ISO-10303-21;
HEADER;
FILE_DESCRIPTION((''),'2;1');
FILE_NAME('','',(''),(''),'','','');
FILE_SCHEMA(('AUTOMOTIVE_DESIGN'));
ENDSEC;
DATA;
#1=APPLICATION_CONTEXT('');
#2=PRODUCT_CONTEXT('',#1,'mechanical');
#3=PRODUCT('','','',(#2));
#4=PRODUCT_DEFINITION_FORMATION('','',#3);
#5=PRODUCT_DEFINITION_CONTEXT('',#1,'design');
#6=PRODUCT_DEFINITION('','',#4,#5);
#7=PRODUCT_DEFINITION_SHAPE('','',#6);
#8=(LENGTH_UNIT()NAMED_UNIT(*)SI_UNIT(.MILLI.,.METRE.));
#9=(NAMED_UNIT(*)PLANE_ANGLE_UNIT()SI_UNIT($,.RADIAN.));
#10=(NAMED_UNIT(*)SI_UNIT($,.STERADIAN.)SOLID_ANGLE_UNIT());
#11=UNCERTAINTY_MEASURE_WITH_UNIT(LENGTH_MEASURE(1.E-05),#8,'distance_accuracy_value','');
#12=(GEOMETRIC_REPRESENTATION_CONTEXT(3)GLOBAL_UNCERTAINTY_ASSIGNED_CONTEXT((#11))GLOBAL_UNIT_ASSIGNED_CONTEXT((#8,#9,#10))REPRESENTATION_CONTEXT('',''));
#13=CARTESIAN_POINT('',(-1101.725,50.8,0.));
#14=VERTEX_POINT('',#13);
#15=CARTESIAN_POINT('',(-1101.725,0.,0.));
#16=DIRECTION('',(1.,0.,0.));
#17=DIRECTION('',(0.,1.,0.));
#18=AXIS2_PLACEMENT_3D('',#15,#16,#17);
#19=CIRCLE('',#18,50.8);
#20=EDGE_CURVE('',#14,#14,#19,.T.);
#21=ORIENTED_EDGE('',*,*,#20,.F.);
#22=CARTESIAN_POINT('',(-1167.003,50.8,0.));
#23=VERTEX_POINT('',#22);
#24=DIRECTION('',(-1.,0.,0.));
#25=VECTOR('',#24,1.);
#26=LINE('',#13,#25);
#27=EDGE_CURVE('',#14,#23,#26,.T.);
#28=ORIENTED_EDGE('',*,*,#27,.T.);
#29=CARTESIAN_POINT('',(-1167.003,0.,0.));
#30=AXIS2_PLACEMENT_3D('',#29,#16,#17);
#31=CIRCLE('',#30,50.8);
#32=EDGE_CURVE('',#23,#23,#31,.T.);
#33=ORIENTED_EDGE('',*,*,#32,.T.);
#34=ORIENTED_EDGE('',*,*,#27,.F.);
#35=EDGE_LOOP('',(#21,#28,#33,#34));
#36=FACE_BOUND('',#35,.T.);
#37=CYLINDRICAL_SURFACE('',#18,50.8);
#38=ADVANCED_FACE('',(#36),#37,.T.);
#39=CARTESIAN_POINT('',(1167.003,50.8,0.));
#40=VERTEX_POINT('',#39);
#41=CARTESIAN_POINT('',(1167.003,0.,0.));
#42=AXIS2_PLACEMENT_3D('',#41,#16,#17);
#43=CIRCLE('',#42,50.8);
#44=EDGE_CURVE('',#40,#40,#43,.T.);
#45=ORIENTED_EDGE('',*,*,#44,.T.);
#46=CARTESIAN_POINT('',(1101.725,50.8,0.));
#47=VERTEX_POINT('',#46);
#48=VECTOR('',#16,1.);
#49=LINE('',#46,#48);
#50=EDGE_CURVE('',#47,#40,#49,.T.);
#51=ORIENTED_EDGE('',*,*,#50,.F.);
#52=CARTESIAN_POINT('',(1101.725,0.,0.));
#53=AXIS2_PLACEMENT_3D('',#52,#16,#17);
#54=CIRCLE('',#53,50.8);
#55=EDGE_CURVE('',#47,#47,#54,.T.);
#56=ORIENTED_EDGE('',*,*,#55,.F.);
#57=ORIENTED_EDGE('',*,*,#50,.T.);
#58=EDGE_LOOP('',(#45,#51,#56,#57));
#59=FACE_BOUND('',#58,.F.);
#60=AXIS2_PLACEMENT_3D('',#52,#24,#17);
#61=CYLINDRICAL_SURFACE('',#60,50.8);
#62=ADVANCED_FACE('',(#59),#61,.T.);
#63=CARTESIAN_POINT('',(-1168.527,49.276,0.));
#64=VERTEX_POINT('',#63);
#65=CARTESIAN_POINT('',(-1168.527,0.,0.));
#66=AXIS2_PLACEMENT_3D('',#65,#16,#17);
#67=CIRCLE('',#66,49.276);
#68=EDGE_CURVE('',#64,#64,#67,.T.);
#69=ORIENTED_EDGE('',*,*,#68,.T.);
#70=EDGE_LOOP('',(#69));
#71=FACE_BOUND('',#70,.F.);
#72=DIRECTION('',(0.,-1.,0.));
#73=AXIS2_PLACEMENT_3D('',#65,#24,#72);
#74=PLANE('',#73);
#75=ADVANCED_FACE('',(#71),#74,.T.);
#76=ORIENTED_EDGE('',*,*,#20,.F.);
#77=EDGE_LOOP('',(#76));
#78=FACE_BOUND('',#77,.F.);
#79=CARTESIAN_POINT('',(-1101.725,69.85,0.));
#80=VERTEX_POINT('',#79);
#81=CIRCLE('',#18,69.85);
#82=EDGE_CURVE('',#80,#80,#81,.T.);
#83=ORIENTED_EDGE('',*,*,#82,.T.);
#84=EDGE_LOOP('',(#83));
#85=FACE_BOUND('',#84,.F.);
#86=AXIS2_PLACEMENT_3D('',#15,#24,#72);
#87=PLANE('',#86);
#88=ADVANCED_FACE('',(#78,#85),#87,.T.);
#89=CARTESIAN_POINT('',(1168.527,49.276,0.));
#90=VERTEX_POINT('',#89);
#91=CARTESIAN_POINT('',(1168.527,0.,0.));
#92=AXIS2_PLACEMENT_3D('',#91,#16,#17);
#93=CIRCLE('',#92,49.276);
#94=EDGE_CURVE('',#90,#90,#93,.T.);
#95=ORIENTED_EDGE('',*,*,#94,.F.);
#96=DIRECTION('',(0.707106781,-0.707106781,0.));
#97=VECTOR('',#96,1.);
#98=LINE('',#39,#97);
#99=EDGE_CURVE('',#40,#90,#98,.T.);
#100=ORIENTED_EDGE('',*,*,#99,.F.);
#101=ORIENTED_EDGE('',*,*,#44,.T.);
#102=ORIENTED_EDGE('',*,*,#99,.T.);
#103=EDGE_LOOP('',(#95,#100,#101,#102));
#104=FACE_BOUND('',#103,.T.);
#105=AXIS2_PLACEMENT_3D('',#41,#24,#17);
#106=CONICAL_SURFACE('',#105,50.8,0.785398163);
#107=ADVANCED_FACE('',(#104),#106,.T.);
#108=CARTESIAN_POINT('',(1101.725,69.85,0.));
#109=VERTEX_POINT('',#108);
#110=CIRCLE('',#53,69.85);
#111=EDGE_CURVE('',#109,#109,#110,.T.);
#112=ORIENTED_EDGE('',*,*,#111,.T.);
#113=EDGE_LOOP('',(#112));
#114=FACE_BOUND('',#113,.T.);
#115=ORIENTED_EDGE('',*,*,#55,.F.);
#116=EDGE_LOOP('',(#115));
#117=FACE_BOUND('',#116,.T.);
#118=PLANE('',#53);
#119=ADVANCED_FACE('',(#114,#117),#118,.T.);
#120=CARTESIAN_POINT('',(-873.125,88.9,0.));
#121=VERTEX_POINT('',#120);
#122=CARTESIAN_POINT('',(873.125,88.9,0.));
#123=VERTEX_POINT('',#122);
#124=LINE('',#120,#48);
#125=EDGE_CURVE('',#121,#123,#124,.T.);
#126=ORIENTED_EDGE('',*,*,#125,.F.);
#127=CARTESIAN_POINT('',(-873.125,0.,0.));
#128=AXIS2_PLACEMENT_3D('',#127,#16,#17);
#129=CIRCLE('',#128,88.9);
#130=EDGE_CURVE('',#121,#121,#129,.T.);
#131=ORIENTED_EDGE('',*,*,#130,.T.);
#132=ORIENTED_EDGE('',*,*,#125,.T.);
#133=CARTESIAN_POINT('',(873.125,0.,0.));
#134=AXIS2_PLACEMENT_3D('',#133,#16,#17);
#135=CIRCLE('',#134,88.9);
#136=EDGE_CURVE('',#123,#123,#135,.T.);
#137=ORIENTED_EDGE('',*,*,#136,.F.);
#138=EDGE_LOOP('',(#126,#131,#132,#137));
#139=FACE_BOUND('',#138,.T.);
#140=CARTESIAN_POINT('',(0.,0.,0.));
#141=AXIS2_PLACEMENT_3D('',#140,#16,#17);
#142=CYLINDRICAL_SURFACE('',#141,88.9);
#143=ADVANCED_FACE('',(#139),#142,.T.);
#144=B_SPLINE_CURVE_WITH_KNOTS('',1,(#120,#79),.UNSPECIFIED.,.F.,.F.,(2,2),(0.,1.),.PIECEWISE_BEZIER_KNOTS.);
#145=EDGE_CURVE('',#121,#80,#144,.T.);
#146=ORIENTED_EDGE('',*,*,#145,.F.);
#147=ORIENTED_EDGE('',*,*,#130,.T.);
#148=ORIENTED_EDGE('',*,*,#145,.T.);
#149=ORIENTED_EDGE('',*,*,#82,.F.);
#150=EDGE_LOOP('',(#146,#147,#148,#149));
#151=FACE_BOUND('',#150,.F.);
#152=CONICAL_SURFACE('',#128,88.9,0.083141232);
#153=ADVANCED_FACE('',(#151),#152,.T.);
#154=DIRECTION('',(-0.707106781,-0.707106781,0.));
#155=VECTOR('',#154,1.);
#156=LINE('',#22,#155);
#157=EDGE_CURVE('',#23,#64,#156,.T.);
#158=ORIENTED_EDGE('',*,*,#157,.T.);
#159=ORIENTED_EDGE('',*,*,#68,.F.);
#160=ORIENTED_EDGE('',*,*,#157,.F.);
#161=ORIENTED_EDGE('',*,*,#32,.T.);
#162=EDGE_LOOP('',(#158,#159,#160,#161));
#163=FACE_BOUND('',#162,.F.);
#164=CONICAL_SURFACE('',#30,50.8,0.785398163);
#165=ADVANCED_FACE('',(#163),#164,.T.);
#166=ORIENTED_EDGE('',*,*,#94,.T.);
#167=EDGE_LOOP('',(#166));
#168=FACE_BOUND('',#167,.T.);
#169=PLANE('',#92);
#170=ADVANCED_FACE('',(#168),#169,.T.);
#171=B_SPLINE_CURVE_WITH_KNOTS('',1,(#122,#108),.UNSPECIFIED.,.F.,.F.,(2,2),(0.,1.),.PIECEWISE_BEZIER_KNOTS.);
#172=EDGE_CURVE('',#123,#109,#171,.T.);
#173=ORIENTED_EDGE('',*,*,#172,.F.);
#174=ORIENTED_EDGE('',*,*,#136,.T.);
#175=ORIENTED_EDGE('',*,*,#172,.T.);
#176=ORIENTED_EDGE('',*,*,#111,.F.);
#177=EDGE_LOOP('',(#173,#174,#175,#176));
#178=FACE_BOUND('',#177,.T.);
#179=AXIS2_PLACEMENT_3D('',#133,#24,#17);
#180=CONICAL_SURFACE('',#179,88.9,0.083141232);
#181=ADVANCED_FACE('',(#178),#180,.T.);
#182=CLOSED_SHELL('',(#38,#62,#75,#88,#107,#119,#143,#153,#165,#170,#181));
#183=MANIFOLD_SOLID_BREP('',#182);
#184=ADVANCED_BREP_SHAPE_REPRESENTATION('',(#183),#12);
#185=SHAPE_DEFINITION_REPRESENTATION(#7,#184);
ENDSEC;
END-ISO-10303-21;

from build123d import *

# Parameters (mm, degrees)
F0_R      = 88.9
F1_DEPTH  = 873.125
F1_FACE_R = 88.9
F3_R      = 69.85
F5_R      = 50.8
F6_DEPTH  = 66.802
F7_SIZE   = 1.524


with BuildPart() as f1:
    # F0 (on Right) → F1 (new body, symmetric)
    with BuildSketch(Plane.YZ):
        Circle(F0_R)
    extrude(amount=F1_DEPTH, both=True)

    # F1_face (on face) → F4 section 0
    with BuildSketch(Plane.YZ.offset(873.125)):
        Circle(F1_FACE_R)
    # F3 (on offset) → F4 section 1
    with BuildSketch(Plane.YZ.offset(1101.725)):
        Circle(F3_R)
    loft()

    # F5 (on face) → F6 (join)
    with BuildSketch(Plane.YZ.offset(1101.725)):
        Circle(F5_R)
    extrude(amount=F6_DEPTH)

    # F7
    f7_edges = [f1.edges().sort_by_distance(p)[0] for p in [
        (1168.527, -50.8, 0),
    ]]
    chamfer(f7_edges, length=F7_SIZE)

    # F8: F1 across plane


with BuildPart() as f1_1:
    add(f1.part)
    add(f1.part.mirror(Plane.YZ))


solid = f1_1.part
